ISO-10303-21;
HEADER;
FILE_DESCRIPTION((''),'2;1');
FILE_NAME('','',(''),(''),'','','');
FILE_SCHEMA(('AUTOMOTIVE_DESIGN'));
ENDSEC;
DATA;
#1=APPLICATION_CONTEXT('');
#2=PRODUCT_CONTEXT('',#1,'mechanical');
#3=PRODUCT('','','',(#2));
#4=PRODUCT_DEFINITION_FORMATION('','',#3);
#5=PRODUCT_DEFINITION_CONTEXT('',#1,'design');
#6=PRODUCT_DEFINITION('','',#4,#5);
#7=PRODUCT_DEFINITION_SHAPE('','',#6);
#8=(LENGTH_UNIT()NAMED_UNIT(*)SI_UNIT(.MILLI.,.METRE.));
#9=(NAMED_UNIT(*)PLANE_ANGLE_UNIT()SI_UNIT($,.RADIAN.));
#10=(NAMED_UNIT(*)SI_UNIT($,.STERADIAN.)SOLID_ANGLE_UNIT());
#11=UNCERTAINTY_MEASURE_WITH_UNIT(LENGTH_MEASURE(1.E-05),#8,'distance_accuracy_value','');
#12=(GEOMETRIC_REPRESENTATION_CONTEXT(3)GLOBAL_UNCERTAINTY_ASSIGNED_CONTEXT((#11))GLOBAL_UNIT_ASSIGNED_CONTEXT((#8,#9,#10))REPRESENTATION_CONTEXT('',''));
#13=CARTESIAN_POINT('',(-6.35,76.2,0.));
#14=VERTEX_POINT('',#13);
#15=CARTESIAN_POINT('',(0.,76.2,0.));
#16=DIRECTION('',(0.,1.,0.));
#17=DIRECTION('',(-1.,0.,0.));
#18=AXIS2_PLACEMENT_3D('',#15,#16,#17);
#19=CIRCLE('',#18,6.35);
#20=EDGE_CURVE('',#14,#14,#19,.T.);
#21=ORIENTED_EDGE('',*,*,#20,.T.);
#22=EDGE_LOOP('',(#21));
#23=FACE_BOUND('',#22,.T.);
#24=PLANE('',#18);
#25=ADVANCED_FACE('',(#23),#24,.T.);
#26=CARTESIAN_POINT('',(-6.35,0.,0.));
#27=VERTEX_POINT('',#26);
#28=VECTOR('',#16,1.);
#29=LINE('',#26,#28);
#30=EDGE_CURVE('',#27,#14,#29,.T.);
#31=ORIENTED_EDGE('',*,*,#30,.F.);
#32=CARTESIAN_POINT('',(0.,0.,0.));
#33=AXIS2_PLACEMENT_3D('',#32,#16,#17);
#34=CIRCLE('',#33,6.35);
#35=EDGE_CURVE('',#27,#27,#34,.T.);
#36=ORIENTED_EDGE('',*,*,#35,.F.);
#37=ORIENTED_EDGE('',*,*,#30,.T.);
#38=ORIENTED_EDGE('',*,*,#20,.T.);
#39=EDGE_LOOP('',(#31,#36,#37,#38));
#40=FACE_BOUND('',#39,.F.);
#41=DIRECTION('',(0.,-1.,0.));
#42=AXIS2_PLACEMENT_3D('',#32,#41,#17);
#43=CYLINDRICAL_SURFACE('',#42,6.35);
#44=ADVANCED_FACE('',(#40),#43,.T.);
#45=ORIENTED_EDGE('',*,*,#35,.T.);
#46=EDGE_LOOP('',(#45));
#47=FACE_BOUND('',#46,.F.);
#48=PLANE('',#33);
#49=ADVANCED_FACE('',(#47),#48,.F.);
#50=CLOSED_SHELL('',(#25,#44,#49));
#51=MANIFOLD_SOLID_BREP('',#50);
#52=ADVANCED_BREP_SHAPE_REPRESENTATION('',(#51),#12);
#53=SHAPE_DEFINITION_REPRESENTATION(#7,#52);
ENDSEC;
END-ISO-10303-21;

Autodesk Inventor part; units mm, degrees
ref_plane "YZ Plane" through (0, 0, 0) normal (1, 0, 0) x (0, 1, 0)
ref_plane "XZ Plane" through (0, 0, 0) normal (0, 1, 0) x (-1, 0, 0)
ref_plane "XY Plane" through (0, 0, 0) normal (0, 0, 1) x (1, 0, 0)
sketch "Sketch1" plane through (0, 0, 0) normal (0, 1, 0) x (-1, 0, 0)
  circle A0 centre (0, 0) radius 6.35
  dimension "d0" = 12.7
extrude "Extrusion1" add sketch "Sketch1" along normal blind 76.2
properties part number "Rod main"
